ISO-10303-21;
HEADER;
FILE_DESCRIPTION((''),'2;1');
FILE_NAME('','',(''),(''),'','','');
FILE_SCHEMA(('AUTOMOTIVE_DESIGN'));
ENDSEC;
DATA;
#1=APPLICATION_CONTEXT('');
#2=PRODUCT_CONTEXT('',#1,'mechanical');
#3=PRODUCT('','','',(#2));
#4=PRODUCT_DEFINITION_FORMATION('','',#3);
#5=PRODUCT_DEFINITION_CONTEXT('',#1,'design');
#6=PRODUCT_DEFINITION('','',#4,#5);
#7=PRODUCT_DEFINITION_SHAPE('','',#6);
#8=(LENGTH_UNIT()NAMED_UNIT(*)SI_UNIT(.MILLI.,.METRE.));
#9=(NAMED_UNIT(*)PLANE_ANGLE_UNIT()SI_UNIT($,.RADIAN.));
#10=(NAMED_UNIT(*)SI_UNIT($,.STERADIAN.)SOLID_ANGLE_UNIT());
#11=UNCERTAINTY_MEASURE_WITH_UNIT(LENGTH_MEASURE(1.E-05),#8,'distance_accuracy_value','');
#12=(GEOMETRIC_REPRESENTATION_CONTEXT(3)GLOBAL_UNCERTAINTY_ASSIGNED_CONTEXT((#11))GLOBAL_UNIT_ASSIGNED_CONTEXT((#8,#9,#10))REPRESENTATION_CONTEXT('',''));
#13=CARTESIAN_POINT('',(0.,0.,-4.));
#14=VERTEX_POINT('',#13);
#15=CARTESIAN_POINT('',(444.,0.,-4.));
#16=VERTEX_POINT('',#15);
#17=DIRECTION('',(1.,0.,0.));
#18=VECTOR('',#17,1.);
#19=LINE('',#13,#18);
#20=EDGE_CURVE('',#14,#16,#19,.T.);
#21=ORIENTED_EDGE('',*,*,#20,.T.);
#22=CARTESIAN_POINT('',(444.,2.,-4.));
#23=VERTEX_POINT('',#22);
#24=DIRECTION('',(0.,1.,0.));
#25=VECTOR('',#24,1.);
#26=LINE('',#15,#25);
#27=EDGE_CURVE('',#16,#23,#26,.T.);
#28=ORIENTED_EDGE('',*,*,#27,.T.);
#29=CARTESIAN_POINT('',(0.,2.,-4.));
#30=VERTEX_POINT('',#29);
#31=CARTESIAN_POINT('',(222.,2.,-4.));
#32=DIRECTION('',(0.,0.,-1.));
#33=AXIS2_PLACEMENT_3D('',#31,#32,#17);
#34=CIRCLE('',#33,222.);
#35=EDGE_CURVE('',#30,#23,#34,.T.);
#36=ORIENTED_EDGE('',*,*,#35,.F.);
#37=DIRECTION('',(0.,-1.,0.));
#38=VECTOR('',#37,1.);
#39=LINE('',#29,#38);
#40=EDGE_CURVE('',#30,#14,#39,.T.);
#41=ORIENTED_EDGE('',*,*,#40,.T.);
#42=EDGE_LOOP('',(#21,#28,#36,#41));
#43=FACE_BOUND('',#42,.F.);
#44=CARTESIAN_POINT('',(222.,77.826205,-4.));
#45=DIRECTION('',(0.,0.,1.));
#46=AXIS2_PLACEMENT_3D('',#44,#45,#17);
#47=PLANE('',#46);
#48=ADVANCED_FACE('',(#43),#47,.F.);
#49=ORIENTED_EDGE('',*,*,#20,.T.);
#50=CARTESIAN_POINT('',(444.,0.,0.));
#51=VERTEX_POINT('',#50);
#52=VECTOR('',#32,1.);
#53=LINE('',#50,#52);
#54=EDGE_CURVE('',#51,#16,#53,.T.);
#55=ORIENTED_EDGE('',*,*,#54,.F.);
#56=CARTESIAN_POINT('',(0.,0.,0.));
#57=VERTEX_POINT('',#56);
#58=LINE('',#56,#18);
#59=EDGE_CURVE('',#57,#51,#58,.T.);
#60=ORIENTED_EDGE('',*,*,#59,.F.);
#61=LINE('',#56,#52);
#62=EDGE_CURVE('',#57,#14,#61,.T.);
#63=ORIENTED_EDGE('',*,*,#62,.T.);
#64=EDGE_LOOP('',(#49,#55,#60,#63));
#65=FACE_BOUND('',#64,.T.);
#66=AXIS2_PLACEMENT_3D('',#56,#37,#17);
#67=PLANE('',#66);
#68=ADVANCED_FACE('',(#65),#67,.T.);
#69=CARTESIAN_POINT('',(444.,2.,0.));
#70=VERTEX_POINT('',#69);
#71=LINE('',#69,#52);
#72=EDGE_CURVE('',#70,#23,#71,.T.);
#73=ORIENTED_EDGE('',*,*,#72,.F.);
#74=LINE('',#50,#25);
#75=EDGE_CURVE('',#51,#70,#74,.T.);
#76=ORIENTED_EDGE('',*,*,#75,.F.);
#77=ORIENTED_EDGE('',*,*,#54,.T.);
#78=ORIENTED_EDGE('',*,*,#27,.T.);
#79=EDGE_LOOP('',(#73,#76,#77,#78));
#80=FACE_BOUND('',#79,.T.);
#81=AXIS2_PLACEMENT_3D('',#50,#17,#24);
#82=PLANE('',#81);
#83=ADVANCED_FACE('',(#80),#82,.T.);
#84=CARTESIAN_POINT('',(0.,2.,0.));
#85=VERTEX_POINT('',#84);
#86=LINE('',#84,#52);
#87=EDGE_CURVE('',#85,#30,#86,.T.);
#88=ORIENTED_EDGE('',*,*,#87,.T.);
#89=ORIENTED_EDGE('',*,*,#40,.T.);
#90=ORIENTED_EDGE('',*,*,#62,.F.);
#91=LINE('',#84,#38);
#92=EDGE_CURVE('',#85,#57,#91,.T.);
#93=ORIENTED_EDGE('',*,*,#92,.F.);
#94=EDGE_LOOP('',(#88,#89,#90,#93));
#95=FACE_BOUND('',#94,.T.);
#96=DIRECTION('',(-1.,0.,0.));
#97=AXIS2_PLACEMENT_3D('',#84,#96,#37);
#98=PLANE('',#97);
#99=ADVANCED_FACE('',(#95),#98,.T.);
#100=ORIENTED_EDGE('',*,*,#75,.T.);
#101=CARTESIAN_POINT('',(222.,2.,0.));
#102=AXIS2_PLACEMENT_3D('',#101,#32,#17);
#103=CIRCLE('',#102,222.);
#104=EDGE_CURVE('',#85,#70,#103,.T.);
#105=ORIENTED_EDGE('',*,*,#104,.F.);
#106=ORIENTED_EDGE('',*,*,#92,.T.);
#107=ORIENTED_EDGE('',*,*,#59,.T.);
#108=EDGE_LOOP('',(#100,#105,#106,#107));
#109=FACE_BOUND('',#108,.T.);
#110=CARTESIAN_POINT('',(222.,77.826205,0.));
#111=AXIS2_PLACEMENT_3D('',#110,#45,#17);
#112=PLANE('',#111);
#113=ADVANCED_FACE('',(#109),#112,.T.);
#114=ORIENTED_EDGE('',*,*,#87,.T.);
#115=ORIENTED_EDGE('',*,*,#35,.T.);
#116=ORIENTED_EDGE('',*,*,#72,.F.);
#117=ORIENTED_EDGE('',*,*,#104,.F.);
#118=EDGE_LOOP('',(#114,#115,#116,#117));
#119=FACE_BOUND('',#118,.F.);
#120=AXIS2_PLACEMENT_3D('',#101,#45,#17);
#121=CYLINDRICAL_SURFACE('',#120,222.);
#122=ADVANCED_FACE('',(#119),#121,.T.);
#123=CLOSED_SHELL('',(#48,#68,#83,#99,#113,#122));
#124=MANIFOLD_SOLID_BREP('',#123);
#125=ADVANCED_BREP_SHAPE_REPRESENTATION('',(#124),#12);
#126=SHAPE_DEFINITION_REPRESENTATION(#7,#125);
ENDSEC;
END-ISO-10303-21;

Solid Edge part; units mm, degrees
sketch "Sketch1" plane through (0, 0, 0) normal (0, 0, 1) x (1, 0, 0)
  line L0 (0, 0) -> (444, 0)
  line L1 (444, 0) -> (444, 2)
  arc A0 (0, 2) -> (444, 2) centre (222, 2) cw
  line L2 (0, 2) -> (0, 0)
  dimension "D1" = 2
  dimension "D2" = 444
extrude "Protrusion1" add sketch "Sketch1" against normal blind 4
